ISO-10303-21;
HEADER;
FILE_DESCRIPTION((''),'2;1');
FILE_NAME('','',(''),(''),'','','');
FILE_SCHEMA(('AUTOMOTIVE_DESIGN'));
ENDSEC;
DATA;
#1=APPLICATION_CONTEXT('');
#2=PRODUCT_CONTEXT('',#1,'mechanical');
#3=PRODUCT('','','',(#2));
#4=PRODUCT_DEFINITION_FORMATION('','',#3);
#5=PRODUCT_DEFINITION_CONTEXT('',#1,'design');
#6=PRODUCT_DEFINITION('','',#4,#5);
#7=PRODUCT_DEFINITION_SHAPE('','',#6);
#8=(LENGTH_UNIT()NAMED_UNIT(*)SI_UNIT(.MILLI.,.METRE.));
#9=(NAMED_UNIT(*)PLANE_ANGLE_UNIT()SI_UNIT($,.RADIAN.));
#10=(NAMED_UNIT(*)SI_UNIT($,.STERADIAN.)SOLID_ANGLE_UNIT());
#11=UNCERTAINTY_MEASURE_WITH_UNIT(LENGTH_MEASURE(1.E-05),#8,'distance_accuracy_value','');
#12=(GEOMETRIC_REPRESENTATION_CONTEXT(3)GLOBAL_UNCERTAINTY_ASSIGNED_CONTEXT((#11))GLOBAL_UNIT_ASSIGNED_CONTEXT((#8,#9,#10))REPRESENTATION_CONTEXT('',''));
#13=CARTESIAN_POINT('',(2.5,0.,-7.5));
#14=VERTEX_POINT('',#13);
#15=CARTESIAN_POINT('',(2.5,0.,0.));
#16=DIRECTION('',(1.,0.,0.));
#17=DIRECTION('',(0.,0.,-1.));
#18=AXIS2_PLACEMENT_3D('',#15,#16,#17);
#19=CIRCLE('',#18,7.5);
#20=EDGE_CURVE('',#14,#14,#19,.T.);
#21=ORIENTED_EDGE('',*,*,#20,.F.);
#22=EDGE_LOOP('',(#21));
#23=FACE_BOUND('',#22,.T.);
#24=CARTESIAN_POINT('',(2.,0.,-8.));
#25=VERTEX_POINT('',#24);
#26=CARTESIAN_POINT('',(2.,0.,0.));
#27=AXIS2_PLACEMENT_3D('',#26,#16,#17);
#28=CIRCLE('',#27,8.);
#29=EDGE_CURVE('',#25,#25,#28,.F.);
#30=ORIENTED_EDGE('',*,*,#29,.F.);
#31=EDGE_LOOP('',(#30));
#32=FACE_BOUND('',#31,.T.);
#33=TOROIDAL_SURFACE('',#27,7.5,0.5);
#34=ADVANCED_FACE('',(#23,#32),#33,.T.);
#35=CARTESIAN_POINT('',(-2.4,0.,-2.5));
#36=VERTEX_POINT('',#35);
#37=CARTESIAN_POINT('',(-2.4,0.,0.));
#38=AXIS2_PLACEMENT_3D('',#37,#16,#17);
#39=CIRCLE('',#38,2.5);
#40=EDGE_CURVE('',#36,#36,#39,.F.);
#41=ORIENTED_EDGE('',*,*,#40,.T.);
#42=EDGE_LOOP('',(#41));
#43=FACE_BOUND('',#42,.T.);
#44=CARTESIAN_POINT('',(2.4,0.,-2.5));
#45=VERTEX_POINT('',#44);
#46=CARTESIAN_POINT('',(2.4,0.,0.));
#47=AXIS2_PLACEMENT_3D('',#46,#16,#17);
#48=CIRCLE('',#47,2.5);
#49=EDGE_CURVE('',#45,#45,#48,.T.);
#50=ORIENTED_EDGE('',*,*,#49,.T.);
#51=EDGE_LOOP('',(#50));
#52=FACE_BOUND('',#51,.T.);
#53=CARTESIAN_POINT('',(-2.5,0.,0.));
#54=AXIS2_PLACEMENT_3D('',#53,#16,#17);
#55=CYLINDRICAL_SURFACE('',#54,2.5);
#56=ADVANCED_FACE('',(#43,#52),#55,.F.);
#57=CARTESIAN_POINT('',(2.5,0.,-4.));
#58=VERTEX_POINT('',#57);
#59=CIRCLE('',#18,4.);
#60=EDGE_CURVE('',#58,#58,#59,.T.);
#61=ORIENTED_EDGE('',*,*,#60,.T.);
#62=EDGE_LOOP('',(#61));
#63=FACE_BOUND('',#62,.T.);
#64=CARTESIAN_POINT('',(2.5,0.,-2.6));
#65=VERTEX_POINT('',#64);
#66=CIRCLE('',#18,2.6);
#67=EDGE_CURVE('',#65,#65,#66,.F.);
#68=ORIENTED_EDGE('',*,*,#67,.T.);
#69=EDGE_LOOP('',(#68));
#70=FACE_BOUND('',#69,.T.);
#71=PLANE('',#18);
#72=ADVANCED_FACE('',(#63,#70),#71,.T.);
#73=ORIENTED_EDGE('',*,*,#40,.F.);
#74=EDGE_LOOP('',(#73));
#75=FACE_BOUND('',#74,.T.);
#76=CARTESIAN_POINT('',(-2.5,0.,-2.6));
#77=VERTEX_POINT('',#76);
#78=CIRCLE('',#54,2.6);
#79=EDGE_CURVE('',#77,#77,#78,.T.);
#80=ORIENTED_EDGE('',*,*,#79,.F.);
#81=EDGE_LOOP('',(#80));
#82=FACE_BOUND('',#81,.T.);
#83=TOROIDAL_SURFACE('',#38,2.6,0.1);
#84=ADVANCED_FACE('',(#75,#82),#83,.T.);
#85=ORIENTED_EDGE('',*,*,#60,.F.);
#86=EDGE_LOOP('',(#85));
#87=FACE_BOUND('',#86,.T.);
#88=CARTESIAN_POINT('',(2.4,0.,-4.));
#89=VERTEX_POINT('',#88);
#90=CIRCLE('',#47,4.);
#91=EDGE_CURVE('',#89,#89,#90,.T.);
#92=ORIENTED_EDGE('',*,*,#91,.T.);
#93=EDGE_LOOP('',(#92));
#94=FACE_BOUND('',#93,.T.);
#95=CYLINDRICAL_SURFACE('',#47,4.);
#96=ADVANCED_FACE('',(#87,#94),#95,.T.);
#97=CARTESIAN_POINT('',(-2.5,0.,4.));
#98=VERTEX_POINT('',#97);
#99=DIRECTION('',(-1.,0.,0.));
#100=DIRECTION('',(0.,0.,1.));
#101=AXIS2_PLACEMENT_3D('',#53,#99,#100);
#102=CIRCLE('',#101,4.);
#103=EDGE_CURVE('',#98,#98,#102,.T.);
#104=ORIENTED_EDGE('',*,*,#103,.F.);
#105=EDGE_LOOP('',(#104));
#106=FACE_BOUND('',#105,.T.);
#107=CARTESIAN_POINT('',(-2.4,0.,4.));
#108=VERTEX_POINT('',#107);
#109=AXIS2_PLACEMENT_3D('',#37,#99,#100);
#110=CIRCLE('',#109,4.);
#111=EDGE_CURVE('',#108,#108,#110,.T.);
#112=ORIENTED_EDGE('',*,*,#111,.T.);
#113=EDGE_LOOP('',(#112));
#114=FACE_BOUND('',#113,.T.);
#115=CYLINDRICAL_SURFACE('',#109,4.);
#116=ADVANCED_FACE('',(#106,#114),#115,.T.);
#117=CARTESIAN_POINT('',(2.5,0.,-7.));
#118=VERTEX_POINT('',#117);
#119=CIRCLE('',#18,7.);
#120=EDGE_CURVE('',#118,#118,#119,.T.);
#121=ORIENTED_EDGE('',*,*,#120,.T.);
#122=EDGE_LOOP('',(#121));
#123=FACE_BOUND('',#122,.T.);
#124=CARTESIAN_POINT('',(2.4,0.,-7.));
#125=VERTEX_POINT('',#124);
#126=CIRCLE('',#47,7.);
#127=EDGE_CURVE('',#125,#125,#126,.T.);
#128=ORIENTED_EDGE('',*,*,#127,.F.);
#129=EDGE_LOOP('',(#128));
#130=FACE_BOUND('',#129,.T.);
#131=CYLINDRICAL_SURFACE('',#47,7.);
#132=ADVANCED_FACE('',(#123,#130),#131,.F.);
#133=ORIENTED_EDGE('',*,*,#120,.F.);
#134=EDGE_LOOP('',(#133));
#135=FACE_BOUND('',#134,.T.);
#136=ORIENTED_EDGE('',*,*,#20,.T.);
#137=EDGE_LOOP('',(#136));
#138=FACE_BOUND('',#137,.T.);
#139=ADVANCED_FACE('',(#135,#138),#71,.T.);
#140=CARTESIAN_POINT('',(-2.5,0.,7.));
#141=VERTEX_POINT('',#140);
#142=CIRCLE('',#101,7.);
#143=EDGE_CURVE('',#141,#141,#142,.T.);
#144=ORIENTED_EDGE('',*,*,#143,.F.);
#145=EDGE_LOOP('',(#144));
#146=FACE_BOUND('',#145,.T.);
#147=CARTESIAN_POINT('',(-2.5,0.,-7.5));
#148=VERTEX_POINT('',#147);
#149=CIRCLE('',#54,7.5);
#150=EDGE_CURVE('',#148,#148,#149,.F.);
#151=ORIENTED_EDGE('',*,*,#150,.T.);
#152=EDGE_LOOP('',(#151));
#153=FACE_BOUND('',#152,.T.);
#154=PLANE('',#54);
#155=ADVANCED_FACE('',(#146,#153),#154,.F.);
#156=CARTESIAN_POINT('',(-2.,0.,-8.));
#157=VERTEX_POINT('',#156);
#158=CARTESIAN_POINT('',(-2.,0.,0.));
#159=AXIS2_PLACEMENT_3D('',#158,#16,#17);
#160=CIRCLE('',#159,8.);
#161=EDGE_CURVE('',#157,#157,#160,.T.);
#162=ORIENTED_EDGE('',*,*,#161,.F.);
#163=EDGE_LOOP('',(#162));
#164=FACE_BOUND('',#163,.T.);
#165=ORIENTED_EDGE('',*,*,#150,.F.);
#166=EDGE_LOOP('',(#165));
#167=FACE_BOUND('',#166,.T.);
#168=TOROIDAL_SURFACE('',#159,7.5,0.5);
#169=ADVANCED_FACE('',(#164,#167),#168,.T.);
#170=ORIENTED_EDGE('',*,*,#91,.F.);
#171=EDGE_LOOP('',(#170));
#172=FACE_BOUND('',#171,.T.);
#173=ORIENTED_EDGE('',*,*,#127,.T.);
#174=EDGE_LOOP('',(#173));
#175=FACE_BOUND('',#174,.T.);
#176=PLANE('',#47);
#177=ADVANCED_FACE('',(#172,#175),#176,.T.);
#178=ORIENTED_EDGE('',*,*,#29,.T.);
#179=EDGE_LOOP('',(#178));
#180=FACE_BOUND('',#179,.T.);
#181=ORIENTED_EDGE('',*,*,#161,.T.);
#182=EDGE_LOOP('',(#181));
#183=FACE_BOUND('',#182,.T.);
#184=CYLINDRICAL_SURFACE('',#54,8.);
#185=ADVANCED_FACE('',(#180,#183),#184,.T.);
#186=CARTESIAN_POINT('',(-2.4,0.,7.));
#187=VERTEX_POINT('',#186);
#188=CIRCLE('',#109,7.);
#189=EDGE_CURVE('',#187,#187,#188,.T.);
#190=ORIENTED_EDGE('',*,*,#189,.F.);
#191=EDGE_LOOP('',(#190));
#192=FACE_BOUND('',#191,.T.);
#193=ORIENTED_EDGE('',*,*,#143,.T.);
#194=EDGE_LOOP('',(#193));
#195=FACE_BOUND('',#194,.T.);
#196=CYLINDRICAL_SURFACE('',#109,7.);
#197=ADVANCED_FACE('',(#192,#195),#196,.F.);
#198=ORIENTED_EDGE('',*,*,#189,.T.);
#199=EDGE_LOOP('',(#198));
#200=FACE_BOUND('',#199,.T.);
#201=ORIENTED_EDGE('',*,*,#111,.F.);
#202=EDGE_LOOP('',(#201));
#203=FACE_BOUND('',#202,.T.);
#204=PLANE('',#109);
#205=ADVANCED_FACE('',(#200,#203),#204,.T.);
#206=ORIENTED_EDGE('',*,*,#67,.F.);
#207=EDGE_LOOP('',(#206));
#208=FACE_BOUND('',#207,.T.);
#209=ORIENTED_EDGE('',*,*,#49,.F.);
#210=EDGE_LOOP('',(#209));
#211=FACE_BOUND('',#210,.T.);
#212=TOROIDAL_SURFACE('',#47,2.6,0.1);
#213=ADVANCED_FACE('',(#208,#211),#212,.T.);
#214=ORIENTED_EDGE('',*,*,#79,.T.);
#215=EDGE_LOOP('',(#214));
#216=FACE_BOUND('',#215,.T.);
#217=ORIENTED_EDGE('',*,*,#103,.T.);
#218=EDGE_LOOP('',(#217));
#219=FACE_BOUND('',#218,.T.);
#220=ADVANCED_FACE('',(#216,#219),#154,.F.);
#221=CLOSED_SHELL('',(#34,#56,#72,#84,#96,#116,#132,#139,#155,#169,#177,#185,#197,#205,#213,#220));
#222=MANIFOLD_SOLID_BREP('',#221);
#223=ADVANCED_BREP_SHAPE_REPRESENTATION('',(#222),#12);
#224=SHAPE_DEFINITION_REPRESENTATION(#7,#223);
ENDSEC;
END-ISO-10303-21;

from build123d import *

# Parameters (mm, degrees)
SALIENTE_EXTRUIR2_DEPTH      = 2.5
SALIENTE_EXTRUIR2_DEPTH_BACK = 2.5
CROQUIS2_R                   = 8
CROQUIS2_R_2                 = 2.5
REDONDEO1_R                  = 0.5
REDONDEO2_R                  = 0.1
CROQUIS3_R                   = 7
CROQUIS3_R_2                 = 4
CORTAR_EXTRUIR1_DEPTH        = 0.1
CORTAR_EXTRUIR2_START        = -0.1
CROQUIS4_R                   = 7
CROQUIS4_R_2                 = 4
CORTAR_EXTRUIR2_DEPTH        = 0.1


with BuildPart() as part:
    # Croquis2 → Saliente-Extruir2 (new, two sides: drawn at the far end of the back side and taken through both)
    with BuildSketch(Plane(origin=(0, 0, 0), x_dir=(0, 0, -1), z_dir=(1, 0, 0)).offset(-SALIENTE_EXTRUIR2_DEPTH_BACK)):
        Circle(CROQUIS2_R)
        Circle(CROQUIS2_R_2, mode=Mode.SUBTRACT)
    extrude(amount=SALIENTE_EXTRUIR2_DEPTH + SALIENTE_EXTRUIR2_DEPTH_BACK)

    # Redondeo1
    redondeo1_edges = [part.edges().sort_by_distance(p)[0] for p in [
        (-2.5, 0, 8),
        (2.5, 0, 8),
    ]]
    fillet(redondeo1_edges, radius=REDONDEO1_R)

    # Redondeo2
    redondeo2_edges = [part.edges().sort_by_distance(p)[0] for p in [
        (-2.5, 0, 2.5),
        (2.5, 0, 2.5),
    ]]
    fillet(redondeo2_edges, radius=REDONDEO2_R)

    # Croquis3 → Cortar-Extruir1 (cut)
    with BuildSketch(Plane.ZY.offset(2.5)):
        Circle(CROQUIS3_R)
        Circle(CROQUIS3_R_2, mode=Mode.SUBTRACT)
    extrude(amount=-CORTAR_EXTRUIR1_DEPTH, mode=Mode.SUBTRACT)

    # Croquis4 → Cortar-Extruir2 (cut)
    with BuildSketch(Plane(origin=(2.5, 0, 0), x_dir=(0, 0, -1), z_dir=(1, 0, 0)).offset(CORTAR_EXTRUIR2_START)):
        with Locations(Location((0, 0, 0), (0, 0, 180))):
            Circle(CROQUIS4_R)
        with Locations(Location((0, 0, 0), (0, 0, 180))):
            Circle(CROQUIS4_R_2, mode=Mode.SUBTRACT)
    extrude(amount=CORTAR_EXTRUIR2_DEPTH, mode=Mode.SUBTRACT)


solid = part.part
